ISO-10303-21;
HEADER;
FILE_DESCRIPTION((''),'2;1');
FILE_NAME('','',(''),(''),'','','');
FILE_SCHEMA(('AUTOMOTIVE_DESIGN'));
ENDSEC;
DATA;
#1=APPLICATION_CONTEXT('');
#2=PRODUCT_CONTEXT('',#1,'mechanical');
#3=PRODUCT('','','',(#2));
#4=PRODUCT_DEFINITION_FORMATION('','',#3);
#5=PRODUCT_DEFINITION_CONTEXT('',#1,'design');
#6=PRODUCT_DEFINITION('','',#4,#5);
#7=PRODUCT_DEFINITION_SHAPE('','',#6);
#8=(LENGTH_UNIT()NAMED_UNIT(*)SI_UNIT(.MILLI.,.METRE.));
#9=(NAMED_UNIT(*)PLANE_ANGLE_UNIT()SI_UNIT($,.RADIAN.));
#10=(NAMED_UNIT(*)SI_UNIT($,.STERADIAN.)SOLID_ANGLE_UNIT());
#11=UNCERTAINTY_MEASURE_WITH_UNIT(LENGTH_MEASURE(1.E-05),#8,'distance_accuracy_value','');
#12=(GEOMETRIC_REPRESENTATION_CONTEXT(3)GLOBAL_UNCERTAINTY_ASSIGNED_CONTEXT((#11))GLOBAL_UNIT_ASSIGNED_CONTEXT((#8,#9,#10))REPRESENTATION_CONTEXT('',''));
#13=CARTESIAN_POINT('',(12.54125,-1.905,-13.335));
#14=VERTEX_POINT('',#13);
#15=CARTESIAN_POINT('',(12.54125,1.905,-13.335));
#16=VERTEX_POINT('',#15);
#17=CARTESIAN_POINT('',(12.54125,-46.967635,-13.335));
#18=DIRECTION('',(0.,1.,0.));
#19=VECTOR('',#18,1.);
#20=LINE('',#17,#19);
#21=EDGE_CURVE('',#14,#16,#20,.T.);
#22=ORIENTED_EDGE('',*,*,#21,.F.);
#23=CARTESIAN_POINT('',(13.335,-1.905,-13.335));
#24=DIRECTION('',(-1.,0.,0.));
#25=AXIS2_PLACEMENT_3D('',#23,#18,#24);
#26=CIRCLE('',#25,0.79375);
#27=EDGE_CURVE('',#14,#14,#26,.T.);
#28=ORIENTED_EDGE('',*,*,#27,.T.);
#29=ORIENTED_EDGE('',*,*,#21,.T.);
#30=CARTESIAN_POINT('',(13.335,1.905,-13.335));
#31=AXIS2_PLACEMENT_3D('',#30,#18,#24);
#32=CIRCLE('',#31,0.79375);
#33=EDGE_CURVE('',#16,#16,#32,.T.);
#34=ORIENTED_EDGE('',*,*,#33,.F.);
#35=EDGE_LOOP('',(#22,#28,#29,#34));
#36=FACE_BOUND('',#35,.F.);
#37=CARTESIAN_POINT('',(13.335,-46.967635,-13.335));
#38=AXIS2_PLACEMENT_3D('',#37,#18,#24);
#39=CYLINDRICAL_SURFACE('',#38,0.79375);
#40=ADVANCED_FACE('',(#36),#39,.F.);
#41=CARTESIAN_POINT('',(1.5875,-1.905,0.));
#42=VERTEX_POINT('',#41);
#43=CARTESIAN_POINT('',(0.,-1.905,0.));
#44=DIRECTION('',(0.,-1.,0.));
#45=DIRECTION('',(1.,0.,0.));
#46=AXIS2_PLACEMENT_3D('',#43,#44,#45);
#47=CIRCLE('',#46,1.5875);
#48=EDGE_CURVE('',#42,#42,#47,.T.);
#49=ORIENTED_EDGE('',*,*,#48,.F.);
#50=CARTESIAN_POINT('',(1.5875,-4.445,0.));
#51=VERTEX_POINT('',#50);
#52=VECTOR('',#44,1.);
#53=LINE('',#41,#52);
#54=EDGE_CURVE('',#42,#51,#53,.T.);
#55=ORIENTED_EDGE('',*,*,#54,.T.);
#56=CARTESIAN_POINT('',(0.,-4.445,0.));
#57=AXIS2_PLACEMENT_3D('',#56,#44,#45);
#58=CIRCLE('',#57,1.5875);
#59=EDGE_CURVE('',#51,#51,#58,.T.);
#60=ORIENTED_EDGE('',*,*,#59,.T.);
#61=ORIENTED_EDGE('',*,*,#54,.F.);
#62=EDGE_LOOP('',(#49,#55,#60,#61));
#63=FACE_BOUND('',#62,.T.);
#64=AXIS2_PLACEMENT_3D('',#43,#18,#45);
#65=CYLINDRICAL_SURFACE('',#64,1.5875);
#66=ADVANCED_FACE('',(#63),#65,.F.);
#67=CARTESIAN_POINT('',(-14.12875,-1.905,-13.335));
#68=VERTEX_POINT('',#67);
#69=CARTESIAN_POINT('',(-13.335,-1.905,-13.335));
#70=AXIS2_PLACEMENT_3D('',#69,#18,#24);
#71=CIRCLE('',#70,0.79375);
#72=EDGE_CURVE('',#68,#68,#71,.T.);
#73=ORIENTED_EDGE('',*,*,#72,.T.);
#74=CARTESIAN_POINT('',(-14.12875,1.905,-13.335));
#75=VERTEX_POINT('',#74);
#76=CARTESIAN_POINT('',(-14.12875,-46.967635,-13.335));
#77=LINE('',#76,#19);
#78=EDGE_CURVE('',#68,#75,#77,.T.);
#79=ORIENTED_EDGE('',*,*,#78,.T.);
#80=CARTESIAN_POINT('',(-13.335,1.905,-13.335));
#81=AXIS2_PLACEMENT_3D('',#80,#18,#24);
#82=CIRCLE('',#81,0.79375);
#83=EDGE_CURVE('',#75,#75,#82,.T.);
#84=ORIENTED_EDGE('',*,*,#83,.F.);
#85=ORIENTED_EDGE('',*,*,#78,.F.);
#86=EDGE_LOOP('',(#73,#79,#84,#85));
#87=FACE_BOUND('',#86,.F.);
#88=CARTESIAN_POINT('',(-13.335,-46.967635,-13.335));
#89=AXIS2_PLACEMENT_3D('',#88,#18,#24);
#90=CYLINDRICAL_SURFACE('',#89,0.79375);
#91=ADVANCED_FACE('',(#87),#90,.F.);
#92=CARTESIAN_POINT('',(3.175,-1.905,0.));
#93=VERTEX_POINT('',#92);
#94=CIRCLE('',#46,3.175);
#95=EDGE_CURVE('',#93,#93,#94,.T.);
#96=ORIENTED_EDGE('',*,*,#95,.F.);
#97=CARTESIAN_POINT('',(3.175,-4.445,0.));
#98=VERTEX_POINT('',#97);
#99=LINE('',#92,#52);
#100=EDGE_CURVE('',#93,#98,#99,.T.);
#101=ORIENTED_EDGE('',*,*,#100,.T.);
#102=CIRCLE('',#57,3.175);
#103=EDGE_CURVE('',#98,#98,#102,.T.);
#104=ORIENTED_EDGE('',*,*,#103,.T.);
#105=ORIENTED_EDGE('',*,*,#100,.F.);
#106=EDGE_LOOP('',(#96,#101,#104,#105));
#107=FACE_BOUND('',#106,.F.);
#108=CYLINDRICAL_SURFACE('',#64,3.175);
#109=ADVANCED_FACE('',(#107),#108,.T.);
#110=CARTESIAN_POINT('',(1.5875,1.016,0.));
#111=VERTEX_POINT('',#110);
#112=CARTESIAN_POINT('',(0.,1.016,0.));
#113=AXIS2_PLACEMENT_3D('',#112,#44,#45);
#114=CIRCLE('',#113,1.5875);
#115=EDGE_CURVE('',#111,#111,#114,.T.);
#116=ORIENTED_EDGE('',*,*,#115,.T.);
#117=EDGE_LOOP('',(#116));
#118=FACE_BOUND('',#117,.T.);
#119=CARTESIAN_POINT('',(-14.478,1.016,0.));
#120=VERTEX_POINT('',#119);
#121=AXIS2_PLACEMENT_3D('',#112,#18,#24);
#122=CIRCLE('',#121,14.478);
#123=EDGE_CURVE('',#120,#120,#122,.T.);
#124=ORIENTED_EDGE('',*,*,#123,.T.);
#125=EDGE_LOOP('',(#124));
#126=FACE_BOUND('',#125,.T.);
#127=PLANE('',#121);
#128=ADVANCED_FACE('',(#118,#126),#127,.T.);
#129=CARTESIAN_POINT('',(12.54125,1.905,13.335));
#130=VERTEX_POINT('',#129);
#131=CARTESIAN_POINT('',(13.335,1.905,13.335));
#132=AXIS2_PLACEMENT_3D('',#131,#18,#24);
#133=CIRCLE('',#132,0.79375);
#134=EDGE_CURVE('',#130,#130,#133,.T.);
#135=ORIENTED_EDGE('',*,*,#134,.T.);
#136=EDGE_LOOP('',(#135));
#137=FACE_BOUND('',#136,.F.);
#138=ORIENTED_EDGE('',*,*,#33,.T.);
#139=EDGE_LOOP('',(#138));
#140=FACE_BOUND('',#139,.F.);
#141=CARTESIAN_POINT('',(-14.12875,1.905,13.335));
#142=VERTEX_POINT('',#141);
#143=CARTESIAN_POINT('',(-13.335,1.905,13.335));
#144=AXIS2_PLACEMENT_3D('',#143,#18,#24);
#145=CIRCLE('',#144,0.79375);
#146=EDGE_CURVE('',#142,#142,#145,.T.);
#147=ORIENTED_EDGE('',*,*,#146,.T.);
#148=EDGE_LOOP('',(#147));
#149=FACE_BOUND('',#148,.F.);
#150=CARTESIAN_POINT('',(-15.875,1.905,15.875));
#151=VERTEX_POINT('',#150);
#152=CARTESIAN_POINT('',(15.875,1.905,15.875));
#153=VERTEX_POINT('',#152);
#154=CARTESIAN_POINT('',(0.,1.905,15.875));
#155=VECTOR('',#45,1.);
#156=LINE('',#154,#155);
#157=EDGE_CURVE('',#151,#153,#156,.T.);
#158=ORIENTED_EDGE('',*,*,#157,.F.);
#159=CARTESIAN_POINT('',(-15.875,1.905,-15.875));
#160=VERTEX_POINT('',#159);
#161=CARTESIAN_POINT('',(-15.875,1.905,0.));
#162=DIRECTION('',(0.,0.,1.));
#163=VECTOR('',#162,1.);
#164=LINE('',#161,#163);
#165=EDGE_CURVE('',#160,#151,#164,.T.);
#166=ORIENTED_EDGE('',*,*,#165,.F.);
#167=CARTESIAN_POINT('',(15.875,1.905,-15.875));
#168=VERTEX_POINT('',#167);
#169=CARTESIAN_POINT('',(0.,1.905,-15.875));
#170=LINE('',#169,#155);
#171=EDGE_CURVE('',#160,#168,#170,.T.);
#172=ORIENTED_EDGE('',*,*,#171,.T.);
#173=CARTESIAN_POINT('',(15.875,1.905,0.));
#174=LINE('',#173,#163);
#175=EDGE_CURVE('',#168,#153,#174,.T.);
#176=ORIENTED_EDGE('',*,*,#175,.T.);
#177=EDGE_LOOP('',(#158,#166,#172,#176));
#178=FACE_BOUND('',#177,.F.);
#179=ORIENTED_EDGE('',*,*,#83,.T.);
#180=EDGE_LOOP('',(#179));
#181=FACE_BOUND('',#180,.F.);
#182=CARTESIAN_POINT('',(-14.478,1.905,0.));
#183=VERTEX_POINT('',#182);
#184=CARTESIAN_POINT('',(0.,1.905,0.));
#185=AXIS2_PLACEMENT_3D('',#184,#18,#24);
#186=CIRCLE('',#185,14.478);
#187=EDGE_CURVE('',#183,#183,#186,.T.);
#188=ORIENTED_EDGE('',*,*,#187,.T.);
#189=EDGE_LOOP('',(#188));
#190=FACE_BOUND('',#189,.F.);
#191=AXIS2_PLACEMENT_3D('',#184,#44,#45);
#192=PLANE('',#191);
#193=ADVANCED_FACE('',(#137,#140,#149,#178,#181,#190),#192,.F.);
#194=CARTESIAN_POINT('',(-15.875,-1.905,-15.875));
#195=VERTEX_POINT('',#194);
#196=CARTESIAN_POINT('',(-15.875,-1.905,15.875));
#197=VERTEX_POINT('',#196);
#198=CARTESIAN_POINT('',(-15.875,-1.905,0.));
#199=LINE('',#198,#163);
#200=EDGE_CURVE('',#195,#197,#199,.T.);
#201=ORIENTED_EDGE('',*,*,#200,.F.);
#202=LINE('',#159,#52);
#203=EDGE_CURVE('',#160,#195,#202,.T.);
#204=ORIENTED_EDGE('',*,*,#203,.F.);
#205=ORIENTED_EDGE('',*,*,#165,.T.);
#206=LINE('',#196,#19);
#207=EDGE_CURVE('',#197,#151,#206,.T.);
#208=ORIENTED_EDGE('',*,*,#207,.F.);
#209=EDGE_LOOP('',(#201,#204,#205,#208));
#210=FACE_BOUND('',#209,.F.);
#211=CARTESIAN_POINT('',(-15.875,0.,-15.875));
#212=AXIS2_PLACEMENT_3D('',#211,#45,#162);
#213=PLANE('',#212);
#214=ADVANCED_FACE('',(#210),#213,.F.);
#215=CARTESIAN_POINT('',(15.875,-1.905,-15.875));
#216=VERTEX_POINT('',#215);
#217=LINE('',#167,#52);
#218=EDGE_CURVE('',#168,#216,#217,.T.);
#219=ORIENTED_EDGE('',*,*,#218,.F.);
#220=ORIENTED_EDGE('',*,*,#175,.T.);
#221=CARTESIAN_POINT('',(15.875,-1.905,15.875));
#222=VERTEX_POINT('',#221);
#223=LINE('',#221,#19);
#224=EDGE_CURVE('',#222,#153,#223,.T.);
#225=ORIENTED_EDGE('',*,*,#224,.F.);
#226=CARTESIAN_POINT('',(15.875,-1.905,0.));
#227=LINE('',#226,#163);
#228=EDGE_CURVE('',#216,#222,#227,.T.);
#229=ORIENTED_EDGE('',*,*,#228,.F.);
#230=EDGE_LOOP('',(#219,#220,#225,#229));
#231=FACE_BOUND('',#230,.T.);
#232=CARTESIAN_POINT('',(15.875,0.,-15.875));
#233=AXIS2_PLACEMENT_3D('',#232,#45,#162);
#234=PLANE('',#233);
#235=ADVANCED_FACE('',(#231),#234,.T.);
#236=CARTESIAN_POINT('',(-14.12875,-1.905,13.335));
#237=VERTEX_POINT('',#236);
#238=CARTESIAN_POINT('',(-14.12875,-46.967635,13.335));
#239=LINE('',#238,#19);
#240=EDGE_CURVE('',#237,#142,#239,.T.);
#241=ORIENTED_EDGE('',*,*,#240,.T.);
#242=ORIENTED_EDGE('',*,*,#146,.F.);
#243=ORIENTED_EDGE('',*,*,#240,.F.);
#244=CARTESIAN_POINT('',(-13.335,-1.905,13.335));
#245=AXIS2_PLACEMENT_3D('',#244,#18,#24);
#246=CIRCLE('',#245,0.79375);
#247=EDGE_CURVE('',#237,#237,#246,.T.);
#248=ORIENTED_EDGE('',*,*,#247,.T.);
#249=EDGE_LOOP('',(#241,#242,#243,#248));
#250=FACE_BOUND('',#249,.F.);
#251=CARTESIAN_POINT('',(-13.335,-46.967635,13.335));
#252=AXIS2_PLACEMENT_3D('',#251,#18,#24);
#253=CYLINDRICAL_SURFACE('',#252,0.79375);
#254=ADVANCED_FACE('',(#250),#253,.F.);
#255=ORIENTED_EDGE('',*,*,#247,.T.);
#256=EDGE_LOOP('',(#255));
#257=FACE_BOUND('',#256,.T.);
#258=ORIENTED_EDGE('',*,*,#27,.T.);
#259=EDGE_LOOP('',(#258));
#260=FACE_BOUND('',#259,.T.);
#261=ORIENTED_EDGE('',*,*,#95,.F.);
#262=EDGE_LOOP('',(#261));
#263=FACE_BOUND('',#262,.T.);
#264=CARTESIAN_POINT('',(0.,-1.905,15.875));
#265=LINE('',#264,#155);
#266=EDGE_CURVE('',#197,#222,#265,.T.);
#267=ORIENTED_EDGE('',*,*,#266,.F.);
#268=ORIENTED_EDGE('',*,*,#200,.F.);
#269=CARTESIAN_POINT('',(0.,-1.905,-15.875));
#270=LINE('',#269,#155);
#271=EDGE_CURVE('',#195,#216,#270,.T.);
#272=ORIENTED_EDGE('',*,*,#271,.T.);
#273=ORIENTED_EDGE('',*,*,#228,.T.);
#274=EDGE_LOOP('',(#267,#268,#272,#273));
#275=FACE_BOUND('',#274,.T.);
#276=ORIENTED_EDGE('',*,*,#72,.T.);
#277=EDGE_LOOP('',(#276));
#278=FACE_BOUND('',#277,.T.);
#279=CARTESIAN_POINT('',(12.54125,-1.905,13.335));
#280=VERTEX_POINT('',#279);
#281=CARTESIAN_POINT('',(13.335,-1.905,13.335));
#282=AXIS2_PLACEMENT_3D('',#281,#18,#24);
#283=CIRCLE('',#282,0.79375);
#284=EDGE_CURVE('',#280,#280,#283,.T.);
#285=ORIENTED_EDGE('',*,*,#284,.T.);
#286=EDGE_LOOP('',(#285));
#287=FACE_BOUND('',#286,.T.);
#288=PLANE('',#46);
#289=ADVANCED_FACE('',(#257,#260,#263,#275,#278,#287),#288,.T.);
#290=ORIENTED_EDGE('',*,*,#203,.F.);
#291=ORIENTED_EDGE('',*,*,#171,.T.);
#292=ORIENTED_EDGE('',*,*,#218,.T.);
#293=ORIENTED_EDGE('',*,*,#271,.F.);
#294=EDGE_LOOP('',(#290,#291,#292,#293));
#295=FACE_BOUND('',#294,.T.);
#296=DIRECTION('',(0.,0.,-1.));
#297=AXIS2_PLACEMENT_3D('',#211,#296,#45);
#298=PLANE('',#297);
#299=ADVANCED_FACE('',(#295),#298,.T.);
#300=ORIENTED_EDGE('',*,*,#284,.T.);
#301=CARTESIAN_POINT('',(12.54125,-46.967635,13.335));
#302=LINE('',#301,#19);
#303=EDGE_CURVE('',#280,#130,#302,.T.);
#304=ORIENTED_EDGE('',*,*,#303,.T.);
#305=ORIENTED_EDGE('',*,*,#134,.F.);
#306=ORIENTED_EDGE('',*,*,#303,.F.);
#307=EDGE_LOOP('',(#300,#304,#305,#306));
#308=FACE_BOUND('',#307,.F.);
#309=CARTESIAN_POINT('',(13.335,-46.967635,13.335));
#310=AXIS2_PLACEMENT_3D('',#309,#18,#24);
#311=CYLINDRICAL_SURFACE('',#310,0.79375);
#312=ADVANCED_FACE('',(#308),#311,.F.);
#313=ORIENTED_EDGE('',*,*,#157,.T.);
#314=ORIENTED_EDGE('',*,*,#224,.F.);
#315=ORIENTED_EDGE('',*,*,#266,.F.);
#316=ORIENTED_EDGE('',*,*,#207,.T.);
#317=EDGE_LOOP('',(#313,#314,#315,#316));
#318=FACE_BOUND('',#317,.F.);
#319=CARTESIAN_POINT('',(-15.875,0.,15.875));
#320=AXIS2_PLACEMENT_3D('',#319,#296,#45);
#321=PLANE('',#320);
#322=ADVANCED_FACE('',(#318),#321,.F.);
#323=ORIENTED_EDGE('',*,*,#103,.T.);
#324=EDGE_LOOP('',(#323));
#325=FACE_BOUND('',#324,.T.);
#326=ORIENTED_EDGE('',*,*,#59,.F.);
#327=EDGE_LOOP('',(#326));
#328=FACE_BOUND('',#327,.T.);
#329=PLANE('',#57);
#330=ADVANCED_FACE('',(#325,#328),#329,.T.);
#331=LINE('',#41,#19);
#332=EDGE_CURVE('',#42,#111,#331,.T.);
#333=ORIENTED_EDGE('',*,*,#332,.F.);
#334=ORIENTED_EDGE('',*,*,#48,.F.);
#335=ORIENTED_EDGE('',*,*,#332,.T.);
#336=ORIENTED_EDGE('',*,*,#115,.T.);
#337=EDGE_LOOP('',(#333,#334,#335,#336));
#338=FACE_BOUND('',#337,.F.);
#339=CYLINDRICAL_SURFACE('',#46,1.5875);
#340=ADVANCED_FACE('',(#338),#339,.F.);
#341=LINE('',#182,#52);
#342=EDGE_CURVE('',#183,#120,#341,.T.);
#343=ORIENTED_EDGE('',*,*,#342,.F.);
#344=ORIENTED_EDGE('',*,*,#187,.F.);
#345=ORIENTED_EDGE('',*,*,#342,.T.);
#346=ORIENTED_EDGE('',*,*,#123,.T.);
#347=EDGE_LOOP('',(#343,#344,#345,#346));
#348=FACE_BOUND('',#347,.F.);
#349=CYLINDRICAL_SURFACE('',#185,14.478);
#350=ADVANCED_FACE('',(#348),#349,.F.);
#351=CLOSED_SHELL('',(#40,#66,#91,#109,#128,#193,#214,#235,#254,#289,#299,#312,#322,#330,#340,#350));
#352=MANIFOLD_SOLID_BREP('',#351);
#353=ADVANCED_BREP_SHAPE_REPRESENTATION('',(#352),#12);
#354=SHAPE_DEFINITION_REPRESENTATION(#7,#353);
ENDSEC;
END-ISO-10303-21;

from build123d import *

# Parameters (mm, degrees)
F0_W     = 31.75
F0_H     = 31.75
F1_DEPTH = 1.905
F2_R     = 14.478
F3_DEPTH = 0.889
F5_D     = 1.5875
F6_R     = 1.5875
F7_DEPTH = 3.811
F8_R     = 3.175
F8_R_2   = 1.5875
F9_DEPTH = 2.54


with BuildPart() as f1:
    # F0 (on Front) → F1 (new body, symmetric)
    with BuildSketch(Plane.XZ):
        Rectangle(F0_W, F0_H)
    extrude(amount=F1_DEPTH, both=True)

    # F2 (on face) → F3 (cut)
    with BuildSketch(Plane(origin=(0, 1.905, 0), x_dir=(-1, 0, 0), z_dir=(0, 1, 0))):
        Circle(F2_R)
    extrude(amount=-F3_DEPTH, mode=Mode.SUBTRACT)

    # F5 (through all)
    with Locations(Plane.XZ.offset(1.905)):
        with Locations((-13.335, 13.335), (13.335, 13.335), (13.335, -13.335), (-13.335, -13.335)):
            Hole(F5_D / 2)

    # F6 (on face) → F7 (cut, through all)
    with BuildSketch(Plane.XZ.offset(1.905)):
        Circle(F6_R)
    extrude(amount=-F7_DEPTH, mode=Mode.SUBTRACT)

    # F8 (on face) → F9 (join)
    with BuildSketch(Plane.XZ.offset(1.905)):
        Circle(F8_R)
        Circle(F8_R_2, mode=Mode.SUBTRACT)
    extrude(amount=F9_DEPTH)


solid = f1.part
